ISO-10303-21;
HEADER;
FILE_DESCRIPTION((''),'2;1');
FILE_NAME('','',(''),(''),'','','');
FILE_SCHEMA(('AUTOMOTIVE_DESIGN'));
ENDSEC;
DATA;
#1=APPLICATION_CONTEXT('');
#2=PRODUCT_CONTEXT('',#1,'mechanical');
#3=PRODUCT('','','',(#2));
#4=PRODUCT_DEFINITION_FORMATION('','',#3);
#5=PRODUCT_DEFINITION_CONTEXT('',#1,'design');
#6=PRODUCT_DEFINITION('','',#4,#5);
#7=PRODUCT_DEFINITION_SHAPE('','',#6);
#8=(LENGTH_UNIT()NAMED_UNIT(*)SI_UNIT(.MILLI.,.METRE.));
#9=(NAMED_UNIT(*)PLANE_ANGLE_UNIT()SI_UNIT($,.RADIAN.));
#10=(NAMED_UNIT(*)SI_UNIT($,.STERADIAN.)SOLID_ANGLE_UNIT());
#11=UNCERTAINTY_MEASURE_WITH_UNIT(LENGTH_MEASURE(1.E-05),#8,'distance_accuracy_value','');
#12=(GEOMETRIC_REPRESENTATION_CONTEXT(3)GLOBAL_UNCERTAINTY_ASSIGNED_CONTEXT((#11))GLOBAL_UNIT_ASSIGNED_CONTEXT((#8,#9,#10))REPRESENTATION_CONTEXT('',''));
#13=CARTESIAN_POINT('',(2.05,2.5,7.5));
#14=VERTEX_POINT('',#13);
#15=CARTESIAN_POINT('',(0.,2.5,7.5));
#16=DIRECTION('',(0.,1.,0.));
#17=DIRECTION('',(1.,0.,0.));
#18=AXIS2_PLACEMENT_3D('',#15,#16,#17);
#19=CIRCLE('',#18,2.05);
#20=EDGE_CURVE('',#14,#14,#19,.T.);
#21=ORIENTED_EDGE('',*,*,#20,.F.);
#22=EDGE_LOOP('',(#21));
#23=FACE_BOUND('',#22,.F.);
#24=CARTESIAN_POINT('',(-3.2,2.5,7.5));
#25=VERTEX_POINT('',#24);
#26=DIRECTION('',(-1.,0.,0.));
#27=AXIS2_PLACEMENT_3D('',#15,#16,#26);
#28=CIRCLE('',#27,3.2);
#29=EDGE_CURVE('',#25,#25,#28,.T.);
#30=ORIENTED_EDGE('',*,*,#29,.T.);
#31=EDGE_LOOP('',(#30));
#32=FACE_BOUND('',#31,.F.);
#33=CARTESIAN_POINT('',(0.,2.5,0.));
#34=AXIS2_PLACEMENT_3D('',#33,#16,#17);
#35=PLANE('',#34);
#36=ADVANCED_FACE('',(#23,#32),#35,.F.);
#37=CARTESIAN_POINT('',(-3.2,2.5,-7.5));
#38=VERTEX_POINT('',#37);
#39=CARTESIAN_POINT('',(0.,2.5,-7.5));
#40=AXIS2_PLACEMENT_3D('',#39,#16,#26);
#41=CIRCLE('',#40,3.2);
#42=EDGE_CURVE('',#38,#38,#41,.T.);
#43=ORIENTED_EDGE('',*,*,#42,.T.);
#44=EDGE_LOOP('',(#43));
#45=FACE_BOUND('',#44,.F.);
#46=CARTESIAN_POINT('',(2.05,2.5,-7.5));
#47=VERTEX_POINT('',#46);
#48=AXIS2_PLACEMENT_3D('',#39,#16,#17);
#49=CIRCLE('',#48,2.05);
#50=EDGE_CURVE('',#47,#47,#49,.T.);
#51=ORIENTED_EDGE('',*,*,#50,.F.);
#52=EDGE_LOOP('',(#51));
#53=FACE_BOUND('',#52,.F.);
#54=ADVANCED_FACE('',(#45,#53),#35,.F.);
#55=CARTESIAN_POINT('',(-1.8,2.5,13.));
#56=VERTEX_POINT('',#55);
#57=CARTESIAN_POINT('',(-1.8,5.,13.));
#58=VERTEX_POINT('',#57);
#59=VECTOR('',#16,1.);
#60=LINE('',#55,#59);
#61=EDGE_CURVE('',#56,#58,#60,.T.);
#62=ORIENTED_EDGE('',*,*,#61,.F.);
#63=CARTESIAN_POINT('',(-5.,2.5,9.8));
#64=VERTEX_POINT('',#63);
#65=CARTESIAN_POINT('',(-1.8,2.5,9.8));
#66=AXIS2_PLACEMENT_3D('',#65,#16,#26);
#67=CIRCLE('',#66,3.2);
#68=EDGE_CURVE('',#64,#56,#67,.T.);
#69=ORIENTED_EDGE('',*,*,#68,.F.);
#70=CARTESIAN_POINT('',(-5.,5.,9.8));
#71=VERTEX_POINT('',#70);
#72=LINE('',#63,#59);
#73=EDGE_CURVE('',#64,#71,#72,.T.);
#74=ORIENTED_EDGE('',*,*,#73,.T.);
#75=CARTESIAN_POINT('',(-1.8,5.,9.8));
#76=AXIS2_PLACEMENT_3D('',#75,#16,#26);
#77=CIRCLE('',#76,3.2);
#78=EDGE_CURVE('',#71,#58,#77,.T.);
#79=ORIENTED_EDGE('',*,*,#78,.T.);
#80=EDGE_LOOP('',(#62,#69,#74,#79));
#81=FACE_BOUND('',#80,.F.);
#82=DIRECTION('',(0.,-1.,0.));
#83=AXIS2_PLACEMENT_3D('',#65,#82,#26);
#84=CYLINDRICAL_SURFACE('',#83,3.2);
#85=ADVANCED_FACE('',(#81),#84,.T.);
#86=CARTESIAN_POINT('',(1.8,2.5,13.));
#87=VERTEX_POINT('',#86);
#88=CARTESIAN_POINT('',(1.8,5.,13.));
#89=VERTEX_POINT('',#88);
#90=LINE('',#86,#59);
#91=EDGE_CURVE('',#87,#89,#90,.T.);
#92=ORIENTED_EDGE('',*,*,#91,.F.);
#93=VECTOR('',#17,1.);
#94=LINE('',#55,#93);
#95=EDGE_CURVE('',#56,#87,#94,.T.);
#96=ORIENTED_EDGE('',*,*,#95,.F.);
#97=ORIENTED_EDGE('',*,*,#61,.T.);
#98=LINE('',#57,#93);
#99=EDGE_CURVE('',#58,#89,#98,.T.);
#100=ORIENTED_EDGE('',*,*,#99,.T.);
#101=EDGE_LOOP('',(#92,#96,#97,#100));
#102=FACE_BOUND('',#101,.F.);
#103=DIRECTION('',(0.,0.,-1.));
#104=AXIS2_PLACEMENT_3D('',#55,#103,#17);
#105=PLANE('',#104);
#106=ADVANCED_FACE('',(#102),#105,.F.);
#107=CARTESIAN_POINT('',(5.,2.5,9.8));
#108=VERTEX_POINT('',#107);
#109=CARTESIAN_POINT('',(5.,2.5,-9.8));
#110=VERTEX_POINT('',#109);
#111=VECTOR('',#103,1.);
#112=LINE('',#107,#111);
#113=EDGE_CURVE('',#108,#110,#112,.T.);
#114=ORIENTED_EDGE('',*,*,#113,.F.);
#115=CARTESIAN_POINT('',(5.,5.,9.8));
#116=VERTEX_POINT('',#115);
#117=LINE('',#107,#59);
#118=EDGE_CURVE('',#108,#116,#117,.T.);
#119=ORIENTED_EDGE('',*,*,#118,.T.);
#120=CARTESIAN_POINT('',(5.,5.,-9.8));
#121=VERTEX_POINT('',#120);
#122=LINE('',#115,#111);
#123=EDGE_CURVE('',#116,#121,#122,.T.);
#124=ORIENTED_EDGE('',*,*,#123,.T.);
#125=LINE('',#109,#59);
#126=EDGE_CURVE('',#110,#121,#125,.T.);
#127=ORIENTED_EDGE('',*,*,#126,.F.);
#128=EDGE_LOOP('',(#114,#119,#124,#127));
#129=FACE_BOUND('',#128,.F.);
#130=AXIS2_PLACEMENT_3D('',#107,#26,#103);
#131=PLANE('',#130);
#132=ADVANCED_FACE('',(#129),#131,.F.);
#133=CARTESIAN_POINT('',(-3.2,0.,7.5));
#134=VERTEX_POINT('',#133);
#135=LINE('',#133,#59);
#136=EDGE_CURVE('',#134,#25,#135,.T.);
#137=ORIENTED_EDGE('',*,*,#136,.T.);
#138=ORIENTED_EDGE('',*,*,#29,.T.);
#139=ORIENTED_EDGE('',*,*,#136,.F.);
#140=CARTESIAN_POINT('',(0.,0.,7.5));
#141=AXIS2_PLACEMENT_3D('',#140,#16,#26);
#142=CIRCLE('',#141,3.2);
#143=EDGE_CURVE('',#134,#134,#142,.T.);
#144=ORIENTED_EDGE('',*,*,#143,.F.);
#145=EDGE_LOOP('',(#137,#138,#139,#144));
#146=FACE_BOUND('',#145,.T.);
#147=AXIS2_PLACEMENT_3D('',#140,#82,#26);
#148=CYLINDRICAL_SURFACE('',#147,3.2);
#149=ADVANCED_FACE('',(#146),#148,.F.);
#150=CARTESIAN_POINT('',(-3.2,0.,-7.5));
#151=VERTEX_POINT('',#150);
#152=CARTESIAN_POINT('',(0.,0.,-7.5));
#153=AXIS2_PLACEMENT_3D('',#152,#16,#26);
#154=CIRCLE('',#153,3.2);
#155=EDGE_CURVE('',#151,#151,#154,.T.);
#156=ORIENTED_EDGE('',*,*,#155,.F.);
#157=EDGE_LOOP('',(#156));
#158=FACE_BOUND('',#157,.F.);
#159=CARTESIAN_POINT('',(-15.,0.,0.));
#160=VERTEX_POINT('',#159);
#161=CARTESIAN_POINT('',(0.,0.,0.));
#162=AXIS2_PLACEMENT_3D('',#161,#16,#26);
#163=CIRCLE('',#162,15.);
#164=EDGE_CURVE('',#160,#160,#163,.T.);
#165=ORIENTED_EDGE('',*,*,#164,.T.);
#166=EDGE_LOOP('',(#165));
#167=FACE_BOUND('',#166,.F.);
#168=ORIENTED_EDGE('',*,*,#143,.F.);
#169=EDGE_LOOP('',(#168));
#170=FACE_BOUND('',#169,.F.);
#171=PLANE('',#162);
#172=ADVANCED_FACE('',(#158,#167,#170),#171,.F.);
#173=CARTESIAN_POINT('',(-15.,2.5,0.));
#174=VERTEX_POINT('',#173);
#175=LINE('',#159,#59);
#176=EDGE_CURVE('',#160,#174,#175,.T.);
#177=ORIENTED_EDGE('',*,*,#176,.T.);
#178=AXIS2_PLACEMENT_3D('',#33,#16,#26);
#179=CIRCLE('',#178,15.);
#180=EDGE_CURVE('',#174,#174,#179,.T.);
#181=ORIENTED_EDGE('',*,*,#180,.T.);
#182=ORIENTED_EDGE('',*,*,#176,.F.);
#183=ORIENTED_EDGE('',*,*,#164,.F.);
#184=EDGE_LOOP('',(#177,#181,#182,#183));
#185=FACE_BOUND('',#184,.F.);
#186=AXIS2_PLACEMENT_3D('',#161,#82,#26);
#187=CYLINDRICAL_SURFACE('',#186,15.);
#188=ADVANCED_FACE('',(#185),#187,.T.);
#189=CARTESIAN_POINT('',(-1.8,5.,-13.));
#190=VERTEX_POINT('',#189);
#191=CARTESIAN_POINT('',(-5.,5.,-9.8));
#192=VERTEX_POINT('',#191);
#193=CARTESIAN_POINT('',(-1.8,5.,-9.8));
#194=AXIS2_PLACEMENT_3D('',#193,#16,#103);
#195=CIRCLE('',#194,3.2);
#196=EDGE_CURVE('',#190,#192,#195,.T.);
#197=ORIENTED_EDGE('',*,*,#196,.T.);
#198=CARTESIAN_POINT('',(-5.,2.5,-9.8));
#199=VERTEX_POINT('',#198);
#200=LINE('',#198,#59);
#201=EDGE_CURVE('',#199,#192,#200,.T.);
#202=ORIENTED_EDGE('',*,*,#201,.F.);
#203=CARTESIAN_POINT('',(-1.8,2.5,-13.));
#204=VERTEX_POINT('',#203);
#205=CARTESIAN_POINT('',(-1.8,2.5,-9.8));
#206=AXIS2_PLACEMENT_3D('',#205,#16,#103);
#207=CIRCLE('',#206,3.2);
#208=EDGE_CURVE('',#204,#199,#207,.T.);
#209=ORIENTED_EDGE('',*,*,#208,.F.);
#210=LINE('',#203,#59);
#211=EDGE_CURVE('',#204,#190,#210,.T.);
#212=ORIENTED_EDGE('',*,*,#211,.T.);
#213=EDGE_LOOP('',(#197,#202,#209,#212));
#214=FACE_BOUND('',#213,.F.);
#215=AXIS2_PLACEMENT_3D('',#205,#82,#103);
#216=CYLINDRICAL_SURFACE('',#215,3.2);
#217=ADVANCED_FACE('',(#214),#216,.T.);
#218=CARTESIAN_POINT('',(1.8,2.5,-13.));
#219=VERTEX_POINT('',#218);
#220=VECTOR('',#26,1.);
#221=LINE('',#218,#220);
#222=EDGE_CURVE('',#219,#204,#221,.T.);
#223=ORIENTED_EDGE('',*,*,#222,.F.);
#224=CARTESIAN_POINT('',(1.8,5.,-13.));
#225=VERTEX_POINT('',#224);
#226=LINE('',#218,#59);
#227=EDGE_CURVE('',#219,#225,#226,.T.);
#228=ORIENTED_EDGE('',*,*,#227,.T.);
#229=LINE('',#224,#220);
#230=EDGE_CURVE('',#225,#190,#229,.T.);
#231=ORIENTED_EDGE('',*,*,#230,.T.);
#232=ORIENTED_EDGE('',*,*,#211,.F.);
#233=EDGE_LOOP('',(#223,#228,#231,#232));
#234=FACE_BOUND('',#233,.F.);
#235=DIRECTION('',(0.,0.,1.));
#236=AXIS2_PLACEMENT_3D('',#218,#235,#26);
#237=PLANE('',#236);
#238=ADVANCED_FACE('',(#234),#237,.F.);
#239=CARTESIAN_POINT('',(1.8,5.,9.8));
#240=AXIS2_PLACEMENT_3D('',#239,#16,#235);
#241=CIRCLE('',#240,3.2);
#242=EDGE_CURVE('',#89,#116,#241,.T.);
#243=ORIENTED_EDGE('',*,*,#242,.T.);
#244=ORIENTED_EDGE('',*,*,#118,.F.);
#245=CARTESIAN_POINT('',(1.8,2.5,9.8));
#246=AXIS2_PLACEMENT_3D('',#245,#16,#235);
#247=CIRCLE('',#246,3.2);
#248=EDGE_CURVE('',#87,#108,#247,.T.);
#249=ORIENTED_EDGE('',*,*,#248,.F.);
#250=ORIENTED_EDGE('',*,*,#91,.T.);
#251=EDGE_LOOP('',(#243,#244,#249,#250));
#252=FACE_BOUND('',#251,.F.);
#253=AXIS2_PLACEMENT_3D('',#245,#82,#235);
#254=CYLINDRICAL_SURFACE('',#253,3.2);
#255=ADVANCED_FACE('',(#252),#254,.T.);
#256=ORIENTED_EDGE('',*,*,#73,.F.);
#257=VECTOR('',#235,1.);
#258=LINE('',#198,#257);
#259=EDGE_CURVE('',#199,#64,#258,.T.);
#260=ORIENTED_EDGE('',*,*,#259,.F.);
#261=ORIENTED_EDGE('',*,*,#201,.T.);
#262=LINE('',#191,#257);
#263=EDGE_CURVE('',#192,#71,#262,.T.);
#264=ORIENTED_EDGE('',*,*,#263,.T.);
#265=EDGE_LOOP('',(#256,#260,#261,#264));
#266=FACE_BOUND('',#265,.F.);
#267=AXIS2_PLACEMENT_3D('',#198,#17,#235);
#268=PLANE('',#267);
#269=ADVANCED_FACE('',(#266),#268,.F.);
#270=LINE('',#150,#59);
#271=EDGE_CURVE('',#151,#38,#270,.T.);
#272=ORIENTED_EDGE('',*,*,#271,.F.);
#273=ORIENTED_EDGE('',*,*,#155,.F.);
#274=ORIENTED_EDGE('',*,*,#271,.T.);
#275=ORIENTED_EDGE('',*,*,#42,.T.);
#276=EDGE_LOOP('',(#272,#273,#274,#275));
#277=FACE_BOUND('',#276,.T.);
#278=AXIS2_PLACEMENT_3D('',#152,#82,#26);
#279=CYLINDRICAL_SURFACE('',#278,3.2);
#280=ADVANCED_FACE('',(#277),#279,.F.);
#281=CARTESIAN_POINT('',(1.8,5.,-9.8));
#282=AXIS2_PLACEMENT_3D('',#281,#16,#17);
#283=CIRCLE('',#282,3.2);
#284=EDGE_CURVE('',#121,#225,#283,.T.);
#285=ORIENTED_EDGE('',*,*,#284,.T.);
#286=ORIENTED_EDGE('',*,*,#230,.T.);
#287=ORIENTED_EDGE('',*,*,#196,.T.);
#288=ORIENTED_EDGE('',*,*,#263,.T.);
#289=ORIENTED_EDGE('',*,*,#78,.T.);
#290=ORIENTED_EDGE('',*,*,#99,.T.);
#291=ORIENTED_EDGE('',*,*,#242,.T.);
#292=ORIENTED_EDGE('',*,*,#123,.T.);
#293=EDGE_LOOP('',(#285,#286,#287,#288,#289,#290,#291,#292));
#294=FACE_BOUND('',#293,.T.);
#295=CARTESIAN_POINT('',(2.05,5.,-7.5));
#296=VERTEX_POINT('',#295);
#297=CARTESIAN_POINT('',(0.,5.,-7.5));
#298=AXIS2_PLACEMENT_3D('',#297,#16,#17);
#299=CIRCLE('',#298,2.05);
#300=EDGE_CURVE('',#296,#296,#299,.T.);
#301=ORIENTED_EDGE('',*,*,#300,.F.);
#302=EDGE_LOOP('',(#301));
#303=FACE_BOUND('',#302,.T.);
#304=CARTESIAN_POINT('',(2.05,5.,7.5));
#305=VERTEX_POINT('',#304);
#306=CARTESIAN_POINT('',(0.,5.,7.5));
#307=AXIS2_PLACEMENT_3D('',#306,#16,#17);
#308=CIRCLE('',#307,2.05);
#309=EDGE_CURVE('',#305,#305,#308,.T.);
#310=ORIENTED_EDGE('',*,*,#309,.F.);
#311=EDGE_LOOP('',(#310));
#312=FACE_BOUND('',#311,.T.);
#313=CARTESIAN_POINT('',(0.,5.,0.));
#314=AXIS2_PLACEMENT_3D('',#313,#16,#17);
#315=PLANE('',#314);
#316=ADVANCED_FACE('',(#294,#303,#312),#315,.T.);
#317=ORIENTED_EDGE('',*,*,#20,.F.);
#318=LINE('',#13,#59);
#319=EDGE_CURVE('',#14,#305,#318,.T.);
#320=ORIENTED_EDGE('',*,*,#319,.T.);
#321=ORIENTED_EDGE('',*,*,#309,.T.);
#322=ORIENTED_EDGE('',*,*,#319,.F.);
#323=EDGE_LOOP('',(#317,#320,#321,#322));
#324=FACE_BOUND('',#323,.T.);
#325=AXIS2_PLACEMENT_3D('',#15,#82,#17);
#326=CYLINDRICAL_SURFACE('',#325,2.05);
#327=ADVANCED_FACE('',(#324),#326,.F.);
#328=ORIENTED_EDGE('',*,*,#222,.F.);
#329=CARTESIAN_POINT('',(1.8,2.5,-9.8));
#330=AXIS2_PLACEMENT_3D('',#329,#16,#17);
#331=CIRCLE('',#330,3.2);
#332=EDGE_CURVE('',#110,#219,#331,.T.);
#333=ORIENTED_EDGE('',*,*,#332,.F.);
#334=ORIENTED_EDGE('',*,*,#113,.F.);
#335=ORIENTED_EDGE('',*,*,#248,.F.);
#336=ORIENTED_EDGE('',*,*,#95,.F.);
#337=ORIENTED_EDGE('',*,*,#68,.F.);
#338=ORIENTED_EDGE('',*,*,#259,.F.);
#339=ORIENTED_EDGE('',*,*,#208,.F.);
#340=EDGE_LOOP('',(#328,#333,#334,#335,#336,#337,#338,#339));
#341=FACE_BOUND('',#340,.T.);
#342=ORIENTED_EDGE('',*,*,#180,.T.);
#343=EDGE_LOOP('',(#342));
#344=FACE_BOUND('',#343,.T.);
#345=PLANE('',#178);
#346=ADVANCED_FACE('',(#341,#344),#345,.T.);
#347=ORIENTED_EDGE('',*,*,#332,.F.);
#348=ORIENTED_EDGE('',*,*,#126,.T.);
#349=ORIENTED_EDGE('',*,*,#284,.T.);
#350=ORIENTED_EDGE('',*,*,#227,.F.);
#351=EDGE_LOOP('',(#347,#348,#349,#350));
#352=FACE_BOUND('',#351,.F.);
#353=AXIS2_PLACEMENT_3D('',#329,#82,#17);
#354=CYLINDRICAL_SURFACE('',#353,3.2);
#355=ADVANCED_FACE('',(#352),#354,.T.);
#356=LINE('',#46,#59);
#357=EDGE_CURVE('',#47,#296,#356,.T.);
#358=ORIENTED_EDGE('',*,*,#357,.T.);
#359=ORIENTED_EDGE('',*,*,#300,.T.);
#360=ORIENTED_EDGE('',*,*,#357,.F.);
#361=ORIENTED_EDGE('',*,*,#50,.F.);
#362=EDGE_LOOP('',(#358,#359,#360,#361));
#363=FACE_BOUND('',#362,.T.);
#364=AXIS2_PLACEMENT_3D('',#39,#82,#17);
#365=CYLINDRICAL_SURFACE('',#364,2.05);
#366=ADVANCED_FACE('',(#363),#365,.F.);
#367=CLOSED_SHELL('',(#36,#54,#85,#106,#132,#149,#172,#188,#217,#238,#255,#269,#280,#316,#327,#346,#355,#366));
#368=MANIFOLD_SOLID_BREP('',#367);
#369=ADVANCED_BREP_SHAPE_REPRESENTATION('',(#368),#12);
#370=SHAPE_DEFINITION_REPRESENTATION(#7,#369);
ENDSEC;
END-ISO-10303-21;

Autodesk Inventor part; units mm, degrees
ref_plane "YZ Plane" through (0, 0, 0) normal (1, 0, 0) x (0, 1, 0)
ref_plane "XZ Plane" through (0, 0, 0) normal (0, 1, 0) x (-1, 0, 0)
ref_plane "XY Plane" through (0, 0, 0) normal (0, 0, 1) x (1, 0, 0)
sketch "Sketch1" plane through (0, 0, 0) normal (0, 1, 0) x (-1, 0, 0)
  circle A0 centre (0, 0) radius 15
  line L0 (0, 0) -> (0, -7.5) construction
  line L1 (0, -7.5) -> (0, 7.5) construction
  circle A1 centre (0, 7.5) radius 3.2
  circle A2 centre (0, -7.5) radius 3.2
  dimension "d0" = 30
  dimension "d1" = 7.5
  dimension "d2" = 15
  dimension "d3" = 6.4
  dimension "d4" = 6.4
extrude "Extrusion1" add sketch "Sketch1" along normal blind 2.5
sketch "Sketch2" plane through (0, 2.5, 0) normal (0, 1, 0) x (1, 0, 0)
  line L0 (0, 0) -> (-5, 0) construction
  line L1 (-5, 0) -> (-5, -10) construction
  line L2 (-2, -13) -> (0, -13) construction
  line L3 (0, -13) -> (0, 0) construction
  line L4 (-1.8, -13) -> (1.8, -13)
  line L5 (5, -9.8) -> (5, 9.8)
  line L6 (1.8, 13) -> (-1.8, 13)
  line L7 (-5, 9.8) -> (-5, -9.8)
  circle A0 centre (0, -7.5) radius 3.2 projected
  circle A1 centre (0, 7.5) radius 3.2 projected
  arc A2 (-5, -9.8) -> (-1.8, -13) centre (-1.8, -9.8) ccw
  arc A3 (1.8, -13) -> (5, -9.8) centre (1.8, -9.8) ccw
  arc A4 (5, 9.8) -> (1.8, 13) centre (1.8, 9.8) ccw
  arc A5 (-1.8, 13) -> (-5, 9.8) centre (-1.8, 9.8) ccw
  circle A6 centre (0, -7.5) radius 2.05
  circle A7 centre (0, 7.5) radius 2.05
  point P0 (-5, -13)
  point P1 (5, 13)
  point P2 (5, -13)
  point P3 (-5, 13)
  dimension "d7" = 5
  dimension "d8" = 13
  dimension "d9" = 10
  dimension "d10" = 26
  dimension "d12" = 3.2
  dimension "d13" = 4.1
  dimension "d14" = 4.1
extrude "Extrusion2" add sketch "Sketch2" along normal blind 2.5 contours A2 L7 A5 L6 A4 L5 A3 L4 | A0 | A1
properties part number "baseplate"
